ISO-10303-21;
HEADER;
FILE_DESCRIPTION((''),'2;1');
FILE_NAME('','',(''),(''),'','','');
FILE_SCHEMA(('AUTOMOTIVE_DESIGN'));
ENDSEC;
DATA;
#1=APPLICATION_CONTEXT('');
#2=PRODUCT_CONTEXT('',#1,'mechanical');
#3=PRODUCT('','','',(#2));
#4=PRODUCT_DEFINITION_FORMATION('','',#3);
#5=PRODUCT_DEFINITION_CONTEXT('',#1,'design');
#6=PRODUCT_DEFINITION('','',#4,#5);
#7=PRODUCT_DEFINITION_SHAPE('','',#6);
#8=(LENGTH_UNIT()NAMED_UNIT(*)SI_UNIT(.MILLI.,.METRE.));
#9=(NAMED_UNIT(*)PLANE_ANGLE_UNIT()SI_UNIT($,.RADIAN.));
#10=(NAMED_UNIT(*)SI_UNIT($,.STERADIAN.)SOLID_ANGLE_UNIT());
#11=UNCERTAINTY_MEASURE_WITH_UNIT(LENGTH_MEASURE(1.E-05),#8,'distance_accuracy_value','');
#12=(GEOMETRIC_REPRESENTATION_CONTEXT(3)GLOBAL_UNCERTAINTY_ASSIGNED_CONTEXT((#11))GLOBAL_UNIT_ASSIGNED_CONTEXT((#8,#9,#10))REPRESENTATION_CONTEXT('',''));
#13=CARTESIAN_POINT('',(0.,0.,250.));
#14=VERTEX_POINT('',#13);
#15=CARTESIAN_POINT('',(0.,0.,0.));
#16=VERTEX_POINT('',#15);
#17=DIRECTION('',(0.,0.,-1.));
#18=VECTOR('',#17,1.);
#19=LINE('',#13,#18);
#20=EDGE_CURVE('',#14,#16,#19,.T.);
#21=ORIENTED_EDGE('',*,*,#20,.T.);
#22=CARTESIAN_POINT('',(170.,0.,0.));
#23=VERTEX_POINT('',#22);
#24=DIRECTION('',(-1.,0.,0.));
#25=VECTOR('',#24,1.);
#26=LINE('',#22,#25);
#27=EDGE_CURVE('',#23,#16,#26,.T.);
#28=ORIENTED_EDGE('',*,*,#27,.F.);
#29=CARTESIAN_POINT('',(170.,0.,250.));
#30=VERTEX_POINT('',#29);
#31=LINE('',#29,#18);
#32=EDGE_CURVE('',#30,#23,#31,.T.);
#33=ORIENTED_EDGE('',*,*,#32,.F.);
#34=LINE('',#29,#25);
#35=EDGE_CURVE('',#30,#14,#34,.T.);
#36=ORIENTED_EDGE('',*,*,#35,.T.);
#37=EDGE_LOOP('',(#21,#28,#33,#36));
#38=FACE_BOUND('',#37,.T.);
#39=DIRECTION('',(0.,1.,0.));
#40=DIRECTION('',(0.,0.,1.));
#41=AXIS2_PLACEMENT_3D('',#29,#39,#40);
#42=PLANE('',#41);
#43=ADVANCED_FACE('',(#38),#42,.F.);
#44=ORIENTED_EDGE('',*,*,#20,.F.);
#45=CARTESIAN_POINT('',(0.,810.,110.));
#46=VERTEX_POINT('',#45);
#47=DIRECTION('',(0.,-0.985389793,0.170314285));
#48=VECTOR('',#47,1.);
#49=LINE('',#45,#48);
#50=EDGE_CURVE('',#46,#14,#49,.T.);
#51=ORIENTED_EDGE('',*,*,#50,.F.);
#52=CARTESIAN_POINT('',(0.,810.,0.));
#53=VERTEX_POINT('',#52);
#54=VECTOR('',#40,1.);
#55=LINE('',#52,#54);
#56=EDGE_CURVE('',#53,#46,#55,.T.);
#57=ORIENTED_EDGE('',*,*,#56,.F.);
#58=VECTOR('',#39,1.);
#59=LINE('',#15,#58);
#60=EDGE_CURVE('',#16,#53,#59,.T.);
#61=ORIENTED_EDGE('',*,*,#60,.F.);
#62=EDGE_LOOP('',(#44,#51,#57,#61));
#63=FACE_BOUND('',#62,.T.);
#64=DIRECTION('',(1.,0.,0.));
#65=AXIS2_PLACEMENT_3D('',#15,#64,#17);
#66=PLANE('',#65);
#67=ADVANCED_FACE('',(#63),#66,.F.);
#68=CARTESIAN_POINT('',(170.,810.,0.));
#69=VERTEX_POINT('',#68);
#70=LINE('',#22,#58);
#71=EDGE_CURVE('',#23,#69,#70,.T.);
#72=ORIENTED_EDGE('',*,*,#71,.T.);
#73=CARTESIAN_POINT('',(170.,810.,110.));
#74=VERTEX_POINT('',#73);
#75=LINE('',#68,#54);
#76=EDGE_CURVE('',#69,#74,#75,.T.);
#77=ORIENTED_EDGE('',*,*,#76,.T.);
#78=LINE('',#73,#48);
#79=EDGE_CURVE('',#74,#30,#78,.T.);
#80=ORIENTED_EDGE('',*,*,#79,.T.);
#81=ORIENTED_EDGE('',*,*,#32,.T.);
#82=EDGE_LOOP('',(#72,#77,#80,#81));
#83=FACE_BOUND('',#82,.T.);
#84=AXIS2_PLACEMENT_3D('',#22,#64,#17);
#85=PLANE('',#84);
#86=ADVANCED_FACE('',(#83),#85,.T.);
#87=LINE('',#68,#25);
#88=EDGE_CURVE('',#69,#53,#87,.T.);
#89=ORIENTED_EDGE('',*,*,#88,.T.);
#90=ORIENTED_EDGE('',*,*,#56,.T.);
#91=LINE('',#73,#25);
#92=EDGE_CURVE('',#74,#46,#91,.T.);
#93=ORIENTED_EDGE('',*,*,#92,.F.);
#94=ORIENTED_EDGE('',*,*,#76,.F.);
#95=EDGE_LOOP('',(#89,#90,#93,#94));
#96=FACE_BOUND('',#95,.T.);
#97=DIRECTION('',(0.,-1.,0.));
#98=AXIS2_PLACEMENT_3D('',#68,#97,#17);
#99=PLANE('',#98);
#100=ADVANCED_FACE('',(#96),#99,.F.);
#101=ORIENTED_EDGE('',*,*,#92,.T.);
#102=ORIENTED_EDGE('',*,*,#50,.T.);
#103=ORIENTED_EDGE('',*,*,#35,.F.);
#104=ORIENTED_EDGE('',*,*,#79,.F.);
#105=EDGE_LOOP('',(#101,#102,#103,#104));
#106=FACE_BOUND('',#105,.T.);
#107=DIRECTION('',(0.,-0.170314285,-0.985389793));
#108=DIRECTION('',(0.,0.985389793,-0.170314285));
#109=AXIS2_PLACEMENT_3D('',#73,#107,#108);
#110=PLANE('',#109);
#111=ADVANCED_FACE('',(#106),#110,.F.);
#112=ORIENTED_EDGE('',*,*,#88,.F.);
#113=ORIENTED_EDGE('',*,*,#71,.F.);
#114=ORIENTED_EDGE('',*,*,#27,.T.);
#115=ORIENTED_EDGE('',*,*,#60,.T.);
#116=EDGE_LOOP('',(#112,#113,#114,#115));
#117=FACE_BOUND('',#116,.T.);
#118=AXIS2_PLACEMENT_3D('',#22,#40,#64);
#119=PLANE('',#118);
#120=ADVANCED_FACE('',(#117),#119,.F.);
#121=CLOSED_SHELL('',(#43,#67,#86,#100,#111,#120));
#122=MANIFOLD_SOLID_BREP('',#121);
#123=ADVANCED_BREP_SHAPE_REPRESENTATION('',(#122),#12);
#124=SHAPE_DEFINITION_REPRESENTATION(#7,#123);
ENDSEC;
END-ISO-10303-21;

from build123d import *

# Parameters (mm, degrees)
BOSS_EXTRUDE1_DEPTH = 170


with BuildPart() as part:
    # Sketch1 → Boss-Extrude1 (new body)
    with BuildSketch(Plane(origin=(0, 0, 0), x_dir=(0, 0, -1), z_dir=(1, 0, 0))):
        Polygon((0, 0), (0, 810), (-110, 810), (-250, 0), align=None)
    extrude(amount=BOSS_EXTRUDE1_DEPTH)


solid = part.part
